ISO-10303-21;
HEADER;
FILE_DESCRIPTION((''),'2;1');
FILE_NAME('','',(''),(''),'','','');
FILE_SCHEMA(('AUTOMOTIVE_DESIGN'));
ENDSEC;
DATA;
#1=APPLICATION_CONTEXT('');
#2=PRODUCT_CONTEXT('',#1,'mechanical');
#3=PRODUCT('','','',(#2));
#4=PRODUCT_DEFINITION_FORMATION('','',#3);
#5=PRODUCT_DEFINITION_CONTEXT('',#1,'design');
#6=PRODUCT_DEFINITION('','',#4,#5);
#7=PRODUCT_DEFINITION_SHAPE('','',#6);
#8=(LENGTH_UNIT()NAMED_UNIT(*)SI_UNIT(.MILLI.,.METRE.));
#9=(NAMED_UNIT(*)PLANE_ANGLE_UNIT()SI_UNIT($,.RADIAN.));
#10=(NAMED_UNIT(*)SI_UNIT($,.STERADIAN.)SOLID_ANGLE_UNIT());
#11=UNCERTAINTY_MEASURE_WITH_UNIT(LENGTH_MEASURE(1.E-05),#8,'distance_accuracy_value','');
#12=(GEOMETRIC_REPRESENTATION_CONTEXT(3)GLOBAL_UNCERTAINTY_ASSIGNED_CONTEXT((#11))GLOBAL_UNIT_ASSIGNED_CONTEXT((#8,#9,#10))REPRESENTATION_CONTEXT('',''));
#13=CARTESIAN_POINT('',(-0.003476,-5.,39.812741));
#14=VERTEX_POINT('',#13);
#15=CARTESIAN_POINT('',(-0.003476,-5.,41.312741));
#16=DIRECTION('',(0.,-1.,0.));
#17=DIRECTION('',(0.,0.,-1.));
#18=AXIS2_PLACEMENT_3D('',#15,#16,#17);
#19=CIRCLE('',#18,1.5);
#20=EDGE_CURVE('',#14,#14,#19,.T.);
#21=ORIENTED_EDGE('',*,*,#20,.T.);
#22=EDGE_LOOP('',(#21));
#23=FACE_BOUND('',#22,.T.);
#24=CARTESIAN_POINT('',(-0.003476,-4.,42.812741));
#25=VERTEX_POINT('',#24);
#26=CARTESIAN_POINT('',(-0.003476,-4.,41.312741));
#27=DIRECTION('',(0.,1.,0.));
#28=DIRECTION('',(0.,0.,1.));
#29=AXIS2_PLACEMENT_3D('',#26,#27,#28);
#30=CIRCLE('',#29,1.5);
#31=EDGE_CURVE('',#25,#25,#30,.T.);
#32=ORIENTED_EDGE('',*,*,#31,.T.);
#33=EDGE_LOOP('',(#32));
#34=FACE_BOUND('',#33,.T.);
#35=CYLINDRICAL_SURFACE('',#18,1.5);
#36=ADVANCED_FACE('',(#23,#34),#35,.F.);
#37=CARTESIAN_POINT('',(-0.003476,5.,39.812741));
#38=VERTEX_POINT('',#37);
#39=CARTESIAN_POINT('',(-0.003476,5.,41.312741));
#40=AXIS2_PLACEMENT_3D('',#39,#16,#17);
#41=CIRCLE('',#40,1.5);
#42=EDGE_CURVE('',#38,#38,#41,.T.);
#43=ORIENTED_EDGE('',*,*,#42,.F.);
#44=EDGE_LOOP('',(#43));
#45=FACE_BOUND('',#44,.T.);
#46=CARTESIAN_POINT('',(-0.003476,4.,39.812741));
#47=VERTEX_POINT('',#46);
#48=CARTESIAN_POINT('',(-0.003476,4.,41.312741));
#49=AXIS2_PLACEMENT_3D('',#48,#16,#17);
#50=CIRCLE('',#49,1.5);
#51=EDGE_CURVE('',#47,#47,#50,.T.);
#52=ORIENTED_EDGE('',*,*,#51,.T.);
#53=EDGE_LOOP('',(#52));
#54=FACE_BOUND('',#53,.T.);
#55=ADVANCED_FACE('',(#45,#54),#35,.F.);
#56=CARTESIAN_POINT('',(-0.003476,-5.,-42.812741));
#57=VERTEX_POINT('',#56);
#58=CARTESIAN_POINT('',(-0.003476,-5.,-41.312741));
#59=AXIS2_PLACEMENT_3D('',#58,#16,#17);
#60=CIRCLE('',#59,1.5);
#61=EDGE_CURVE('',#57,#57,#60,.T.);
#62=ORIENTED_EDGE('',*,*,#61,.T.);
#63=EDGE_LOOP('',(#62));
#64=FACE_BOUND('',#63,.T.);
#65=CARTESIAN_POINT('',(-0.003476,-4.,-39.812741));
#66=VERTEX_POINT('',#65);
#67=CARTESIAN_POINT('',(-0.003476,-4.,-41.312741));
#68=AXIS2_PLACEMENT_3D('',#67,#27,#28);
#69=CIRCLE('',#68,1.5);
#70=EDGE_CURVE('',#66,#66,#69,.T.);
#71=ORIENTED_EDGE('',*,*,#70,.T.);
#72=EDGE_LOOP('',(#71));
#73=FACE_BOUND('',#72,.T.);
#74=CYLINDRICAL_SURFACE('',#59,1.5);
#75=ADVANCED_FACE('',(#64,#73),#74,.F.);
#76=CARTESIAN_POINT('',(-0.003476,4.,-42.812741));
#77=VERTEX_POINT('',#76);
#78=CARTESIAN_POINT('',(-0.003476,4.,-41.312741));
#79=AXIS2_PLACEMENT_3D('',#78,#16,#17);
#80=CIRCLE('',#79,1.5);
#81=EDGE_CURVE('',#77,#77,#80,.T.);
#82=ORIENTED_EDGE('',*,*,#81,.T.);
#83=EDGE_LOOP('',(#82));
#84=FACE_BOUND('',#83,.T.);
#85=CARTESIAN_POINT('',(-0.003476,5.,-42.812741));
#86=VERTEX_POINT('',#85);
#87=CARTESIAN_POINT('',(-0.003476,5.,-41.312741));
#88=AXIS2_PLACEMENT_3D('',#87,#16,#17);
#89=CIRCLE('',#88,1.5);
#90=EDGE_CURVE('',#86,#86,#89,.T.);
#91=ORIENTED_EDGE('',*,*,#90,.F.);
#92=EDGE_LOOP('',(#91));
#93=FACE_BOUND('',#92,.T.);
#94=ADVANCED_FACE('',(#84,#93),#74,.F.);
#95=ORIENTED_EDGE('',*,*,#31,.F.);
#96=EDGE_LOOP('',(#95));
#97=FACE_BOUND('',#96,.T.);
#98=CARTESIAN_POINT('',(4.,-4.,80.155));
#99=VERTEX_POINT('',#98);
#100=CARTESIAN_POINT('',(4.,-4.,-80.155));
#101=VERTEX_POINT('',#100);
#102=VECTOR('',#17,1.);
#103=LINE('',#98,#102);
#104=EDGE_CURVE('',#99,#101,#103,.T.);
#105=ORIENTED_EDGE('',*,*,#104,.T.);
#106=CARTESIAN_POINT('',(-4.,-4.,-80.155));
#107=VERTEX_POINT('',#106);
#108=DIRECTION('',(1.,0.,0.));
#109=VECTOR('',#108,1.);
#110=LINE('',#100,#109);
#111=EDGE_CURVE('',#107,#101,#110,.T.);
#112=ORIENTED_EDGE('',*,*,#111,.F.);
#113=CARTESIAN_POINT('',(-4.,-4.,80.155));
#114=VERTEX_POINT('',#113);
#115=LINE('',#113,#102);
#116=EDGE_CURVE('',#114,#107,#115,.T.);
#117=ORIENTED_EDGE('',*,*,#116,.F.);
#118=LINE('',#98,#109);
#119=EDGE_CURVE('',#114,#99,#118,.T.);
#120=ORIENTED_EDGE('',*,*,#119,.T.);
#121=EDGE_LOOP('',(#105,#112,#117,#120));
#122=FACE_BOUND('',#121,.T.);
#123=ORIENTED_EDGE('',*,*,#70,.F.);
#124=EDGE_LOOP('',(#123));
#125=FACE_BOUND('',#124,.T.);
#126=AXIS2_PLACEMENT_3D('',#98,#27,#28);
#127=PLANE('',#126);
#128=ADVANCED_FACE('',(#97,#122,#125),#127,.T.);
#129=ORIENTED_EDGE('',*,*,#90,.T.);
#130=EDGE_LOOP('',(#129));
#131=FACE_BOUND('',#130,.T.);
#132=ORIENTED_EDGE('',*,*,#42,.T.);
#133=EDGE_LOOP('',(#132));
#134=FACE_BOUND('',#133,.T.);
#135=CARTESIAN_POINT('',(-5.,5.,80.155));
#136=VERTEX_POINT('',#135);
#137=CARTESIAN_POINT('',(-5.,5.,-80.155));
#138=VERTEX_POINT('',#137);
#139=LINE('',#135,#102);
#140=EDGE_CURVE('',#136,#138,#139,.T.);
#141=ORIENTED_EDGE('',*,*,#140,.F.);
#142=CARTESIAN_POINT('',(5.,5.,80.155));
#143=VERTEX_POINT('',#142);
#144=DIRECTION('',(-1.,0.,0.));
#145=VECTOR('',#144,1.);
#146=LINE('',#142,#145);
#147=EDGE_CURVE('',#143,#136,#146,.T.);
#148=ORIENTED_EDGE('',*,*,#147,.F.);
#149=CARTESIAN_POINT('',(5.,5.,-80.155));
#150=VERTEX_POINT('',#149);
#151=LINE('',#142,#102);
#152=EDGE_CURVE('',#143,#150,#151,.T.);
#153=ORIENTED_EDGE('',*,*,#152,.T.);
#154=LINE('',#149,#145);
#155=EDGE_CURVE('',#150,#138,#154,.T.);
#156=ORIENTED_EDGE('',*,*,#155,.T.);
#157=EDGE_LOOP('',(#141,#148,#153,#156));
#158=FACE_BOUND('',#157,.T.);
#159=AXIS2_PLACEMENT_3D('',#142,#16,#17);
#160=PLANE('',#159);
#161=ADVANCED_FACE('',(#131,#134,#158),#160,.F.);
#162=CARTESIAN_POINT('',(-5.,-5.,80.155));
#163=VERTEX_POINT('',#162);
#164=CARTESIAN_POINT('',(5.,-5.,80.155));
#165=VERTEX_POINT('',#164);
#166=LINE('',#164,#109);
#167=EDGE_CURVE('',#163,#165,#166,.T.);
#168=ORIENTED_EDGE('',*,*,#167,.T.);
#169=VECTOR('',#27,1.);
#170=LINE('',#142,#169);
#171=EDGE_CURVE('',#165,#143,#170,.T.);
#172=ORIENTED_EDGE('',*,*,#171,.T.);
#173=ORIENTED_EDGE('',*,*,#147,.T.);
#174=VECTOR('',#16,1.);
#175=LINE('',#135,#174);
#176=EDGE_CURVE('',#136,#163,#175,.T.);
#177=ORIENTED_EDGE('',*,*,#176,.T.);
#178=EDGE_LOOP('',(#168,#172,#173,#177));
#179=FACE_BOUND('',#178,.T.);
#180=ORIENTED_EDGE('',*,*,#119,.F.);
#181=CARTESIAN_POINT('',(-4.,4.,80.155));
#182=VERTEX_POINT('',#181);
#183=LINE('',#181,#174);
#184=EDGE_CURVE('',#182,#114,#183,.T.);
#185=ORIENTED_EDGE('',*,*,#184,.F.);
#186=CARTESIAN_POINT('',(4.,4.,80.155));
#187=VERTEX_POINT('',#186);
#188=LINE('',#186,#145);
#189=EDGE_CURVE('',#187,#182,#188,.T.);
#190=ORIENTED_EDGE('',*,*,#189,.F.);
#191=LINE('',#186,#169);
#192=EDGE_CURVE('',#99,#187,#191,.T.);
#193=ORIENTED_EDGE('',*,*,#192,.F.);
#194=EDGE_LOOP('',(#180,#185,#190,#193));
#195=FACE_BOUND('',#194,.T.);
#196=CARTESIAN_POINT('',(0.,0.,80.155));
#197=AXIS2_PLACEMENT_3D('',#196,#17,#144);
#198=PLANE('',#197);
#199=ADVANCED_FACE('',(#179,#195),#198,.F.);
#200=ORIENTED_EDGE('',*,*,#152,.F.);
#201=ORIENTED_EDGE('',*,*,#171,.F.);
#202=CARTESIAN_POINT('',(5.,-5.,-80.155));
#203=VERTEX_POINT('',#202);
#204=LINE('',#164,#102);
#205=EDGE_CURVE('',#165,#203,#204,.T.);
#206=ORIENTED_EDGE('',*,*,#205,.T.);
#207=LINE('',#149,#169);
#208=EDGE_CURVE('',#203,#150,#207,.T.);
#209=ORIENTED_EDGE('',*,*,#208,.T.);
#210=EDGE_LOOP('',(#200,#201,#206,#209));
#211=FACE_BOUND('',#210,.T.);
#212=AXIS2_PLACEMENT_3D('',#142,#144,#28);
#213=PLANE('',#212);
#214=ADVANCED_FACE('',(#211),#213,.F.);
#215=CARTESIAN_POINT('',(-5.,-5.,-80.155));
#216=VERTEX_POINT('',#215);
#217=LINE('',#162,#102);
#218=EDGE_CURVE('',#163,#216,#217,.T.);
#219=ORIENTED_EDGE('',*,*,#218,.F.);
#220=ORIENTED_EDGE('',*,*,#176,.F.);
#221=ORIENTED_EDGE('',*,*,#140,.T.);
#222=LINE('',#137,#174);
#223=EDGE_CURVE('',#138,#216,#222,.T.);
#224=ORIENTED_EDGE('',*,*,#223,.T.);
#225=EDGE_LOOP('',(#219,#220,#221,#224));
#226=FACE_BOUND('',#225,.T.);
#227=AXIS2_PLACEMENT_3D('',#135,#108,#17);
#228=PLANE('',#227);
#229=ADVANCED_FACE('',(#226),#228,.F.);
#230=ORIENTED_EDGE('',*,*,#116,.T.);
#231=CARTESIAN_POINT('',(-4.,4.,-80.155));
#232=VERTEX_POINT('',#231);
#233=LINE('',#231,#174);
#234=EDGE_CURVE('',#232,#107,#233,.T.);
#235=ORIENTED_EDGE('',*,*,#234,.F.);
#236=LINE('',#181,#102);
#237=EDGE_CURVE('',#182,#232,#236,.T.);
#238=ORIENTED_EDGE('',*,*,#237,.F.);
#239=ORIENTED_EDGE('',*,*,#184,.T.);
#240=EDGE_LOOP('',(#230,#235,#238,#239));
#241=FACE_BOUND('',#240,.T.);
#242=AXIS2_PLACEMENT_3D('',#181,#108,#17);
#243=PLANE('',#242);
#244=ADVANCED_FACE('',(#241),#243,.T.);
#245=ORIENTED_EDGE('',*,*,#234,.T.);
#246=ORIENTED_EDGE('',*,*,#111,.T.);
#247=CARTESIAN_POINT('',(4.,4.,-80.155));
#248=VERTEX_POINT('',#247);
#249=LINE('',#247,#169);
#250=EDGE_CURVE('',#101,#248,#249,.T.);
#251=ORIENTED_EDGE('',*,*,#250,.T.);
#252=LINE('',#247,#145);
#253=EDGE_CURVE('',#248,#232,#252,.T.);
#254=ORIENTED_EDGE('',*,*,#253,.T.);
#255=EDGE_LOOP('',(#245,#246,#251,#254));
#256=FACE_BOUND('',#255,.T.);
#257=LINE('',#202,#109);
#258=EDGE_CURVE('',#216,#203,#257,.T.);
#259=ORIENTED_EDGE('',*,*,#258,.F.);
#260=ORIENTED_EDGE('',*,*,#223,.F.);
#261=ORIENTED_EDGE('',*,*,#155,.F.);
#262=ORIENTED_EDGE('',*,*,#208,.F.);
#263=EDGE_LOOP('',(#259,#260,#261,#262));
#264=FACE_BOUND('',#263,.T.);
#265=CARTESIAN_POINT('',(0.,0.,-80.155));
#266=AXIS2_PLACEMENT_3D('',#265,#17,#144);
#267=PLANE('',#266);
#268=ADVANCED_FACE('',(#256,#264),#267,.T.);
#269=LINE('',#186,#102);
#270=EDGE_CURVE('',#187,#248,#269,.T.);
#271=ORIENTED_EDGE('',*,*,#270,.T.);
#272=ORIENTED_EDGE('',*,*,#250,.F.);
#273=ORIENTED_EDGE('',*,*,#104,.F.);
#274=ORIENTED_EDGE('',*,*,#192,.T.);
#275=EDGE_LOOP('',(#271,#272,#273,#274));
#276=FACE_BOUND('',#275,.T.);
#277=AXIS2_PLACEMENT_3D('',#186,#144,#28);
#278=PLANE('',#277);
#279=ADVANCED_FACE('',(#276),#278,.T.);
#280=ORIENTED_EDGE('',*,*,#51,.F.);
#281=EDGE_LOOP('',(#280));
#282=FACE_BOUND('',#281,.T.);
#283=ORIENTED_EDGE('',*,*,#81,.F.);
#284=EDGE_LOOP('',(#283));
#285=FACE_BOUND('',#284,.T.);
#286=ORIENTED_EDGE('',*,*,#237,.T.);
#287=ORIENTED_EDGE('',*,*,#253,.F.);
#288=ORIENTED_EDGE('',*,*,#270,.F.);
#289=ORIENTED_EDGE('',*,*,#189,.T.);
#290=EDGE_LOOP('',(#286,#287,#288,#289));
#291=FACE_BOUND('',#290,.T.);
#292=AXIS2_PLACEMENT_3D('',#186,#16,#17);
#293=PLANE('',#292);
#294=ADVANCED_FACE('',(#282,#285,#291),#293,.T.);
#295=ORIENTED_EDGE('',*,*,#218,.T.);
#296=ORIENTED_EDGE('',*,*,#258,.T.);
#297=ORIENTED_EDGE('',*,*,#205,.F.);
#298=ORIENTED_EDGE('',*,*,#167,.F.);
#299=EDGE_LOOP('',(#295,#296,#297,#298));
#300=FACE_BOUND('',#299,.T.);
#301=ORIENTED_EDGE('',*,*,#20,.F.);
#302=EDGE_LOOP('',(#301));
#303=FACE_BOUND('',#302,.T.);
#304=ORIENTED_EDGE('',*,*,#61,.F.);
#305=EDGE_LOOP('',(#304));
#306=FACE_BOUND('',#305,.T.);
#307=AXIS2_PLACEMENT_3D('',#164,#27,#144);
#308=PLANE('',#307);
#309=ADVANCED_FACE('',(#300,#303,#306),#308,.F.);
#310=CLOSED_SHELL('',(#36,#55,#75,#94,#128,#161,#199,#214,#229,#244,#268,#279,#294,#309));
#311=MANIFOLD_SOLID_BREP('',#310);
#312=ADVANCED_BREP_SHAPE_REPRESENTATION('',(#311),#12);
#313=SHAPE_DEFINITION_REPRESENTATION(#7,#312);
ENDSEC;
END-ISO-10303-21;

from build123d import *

# Parameters (mm, degrees)
SKETCH_1_W      = 10
SKETCH_1_H      = 10
SKETCH_1_W_2    = 8
SKETCH_1_H_2    = 8
EXTRUDE_1_DEPTH = 80.155
HOLE_WIZARD_1_D = 3


with BuildPart() as part:
    # 草图1 → 凸台-拉伸1 (new, symmetric)
    with BuildSketch(Plane.XY):
        Rectangle(SKETCH_1_W, SKETCH_1_H)
        Rectangle(SKETCH_1_W_2, SKETCH_1_H_2, mode=Mode.SUBTRACT)
    extrude(amount=EXTRUDE_1_DEPTH, both=True)

    # 孔1 (through all)
    with Locations(Plane(origin=(0, -5, 0), x_dir=(-1, 0, 0), z_dir=(0, -1, 0))):
        with Locations((0.003475522, -41.312740983), (0.003475522, 41.312740983)):
            Hole(HOLE_WIZARD_1_D / 2)


solid = part.part
